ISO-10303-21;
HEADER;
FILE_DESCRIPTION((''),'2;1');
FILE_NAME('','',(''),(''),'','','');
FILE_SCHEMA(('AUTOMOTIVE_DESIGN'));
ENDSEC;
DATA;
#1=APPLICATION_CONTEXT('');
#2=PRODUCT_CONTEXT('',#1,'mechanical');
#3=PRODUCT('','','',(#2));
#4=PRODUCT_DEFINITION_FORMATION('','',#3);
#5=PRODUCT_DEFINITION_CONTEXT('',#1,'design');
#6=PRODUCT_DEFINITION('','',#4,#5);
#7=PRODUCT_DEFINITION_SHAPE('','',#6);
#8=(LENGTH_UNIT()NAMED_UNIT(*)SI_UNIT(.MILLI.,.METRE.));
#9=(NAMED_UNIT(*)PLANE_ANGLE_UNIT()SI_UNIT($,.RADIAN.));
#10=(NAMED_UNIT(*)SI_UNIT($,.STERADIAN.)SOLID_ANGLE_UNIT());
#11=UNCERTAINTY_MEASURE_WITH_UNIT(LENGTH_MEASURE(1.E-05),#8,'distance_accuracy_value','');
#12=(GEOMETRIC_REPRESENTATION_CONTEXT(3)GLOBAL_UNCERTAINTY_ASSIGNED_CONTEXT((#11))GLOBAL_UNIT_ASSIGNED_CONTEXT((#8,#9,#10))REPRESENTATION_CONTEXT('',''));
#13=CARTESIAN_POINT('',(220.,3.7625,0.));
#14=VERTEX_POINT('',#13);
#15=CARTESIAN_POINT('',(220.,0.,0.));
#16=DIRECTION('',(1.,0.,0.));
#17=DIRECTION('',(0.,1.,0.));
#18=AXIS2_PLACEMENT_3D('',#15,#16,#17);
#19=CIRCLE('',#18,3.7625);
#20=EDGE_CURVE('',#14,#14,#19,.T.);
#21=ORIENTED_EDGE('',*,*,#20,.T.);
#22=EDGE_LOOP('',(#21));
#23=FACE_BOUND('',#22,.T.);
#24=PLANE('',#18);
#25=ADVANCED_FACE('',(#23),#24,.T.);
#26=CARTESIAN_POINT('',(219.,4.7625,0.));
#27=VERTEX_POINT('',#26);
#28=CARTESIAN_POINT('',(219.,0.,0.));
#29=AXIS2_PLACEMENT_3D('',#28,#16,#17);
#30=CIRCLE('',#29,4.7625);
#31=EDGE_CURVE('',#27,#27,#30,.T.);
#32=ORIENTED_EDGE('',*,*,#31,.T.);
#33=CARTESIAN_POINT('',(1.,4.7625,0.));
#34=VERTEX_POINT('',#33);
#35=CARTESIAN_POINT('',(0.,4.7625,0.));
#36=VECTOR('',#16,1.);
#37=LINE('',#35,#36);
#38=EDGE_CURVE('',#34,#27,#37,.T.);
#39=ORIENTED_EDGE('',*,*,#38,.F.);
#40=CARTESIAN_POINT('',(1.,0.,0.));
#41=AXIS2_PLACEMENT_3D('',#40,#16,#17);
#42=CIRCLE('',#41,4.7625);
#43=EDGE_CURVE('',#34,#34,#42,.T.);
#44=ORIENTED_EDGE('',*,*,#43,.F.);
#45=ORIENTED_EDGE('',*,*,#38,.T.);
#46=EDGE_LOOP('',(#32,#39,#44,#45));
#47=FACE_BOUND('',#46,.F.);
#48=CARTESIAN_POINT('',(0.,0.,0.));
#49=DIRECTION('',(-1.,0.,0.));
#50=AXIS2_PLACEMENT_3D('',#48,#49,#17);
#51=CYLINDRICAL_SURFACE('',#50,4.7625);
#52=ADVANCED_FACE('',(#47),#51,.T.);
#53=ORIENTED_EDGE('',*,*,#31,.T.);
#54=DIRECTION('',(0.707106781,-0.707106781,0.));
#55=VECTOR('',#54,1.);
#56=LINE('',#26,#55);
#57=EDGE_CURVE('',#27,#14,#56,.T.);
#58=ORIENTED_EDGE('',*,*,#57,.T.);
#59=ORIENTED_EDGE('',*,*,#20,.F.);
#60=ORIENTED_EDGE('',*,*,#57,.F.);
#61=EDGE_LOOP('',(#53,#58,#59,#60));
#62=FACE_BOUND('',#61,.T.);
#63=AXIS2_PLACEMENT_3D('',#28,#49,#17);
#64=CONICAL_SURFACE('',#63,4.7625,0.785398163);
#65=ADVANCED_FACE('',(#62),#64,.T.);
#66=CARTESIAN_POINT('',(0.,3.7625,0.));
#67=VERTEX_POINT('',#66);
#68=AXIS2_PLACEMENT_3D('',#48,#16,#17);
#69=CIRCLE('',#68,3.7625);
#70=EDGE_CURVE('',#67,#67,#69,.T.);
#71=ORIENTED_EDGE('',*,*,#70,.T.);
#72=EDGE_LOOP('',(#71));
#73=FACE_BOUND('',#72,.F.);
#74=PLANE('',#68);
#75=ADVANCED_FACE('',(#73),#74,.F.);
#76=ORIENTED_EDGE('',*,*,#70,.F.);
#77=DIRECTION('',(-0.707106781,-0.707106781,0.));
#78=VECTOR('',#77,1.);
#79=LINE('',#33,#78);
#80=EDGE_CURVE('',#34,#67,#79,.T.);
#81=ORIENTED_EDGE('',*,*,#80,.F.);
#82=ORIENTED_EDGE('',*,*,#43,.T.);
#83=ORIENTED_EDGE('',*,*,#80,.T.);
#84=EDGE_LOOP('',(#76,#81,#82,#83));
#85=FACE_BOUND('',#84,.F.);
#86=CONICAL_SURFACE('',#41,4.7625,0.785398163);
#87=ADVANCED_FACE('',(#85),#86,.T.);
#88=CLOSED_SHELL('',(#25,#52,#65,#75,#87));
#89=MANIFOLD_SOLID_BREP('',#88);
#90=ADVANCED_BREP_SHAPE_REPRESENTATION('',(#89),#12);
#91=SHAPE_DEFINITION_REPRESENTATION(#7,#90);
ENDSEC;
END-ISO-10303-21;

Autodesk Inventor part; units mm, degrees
ref_plane "YZ Plane" through (0, 0, 0) normal (1, 0, 0) x (0, 1, 0)
ref_plane "XZ Plane" through (0, 0, 0) normal (0, 1, 0) x (-1, 0, 0)
ref_plane "XY Plane" through (0, 0, 0) normal (0, 0, 1) x (1, 0, 0)
sketch "Sketch1" plane through (0, 0, 0) normal (1, 0, 0) x (0, 1, 0)
  circle A0 centre (0, 0) radius 4.7625
  dimension "d0" = 9.525
extrude "Extrusion1" add sketch "Sketch1" along normal blind 220
chamfer "Chamfer1" distance 1 angle 45 2 edges at (220, -4.7625, 0) (0, -4.7625, 0)
properties part number "manípulo"
